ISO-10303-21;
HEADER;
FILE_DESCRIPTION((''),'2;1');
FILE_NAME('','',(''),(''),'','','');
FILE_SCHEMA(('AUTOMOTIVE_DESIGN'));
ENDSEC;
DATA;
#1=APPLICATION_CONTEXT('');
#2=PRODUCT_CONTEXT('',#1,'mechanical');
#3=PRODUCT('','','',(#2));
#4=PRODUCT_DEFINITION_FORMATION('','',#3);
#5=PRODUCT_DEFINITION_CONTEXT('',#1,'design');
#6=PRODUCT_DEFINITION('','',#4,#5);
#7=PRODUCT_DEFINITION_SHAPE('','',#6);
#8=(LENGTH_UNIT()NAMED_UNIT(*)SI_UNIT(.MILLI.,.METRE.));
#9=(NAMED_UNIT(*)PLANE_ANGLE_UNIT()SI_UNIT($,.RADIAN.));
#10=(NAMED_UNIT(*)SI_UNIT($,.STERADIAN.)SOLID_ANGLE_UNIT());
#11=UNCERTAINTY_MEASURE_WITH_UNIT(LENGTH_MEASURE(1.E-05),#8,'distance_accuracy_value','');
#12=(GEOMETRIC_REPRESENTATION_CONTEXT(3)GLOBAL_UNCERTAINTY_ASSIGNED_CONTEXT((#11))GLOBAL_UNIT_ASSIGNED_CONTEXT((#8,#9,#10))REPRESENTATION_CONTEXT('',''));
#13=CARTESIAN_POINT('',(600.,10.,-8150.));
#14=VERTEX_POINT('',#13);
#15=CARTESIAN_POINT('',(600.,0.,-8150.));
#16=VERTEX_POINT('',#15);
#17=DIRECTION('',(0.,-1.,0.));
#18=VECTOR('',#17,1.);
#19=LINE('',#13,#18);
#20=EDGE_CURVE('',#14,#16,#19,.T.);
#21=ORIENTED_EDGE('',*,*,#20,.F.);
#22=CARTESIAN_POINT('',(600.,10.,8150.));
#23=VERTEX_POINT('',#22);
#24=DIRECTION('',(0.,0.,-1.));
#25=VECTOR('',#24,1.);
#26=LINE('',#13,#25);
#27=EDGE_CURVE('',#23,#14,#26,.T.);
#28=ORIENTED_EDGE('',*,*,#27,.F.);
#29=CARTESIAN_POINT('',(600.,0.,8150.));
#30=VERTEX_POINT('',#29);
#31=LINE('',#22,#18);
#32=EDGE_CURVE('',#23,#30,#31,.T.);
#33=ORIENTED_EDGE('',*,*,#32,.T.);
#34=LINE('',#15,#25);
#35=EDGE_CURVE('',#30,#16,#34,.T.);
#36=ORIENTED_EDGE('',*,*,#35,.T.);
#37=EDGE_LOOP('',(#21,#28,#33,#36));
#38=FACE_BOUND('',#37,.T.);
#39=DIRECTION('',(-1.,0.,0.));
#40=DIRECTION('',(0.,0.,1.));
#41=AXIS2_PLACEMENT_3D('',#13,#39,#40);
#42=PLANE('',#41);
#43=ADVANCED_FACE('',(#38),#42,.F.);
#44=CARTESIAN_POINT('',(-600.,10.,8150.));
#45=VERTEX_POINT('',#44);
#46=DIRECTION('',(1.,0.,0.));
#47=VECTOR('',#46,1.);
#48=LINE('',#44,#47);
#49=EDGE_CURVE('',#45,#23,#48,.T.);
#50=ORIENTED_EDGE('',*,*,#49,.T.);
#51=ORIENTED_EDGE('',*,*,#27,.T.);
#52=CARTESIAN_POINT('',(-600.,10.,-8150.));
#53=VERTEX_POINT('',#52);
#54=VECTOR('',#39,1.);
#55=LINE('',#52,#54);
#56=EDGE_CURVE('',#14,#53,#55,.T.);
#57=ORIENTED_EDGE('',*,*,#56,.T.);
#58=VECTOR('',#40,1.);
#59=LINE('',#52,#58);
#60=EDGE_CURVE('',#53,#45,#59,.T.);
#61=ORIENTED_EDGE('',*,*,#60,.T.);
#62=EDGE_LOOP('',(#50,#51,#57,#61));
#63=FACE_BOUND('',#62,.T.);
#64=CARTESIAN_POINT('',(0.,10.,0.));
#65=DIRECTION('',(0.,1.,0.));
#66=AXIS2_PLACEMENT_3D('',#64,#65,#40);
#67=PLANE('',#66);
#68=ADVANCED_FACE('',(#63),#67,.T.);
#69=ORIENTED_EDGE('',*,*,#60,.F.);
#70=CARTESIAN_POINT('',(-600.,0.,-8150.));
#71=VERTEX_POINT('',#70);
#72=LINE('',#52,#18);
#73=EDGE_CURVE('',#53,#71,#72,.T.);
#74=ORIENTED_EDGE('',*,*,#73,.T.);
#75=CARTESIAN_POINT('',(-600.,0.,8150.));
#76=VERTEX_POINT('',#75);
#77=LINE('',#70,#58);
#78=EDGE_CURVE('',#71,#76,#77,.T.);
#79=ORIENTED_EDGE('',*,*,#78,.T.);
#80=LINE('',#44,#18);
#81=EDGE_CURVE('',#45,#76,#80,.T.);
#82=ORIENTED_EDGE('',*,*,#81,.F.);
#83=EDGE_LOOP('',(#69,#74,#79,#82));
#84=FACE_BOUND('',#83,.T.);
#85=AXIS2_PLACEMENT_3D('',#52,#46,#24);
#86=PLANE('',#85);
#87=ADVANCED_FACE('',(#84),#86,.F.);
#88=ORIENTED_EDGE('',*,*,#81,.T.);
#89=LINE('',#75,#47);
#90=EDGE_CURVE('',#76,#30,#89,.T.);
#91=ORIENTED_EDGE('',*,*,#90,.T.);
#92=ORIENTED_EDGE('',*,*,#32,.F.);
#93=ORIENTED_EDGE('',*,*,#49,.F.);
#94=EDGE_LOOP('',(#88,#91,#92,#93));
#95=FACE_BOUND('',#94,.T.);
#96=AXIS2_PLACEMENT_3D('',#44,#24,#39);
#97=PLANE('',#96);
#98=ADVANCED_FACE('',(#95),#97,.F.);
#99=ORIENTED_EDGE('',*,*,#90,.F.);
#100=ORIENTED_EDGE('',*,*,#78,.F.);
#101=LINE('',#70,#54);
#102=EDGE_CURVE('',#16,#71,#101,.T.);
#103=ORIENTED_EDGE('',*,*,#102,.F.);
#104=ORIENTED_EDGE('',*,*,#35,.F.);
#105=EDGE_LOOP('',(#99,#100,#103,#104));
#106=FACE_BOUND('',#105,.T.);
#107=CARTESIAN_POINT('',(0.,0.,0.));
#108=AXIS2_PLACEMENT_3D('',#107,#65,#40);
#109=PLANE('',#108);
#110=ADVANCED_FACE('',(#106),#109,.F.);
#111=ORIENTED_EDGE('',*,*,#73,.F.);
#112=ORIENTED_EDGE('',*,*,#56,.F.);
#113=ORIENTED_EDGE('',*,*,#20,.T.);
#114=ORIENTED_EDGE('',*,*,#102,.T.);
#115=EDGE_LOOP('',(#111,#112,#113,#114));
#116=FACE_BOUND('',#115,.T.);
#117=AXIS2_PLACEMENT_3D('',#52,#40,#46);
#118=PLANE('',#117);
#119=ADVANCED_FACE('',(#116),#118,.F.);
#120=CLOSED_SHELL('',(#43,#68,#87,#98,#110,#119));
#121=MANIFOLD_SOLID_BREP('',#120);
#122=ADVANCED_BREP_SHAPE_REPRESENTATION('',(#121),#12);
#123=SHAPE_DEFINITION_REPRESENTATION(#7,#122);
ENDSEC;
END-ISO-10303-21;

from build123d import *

# Parameters (mm, degrees)
ESQUISSE1_W        = 1200
ESQUISSE1_H        = 16300
BOSS_EXTRU_1_DEPTH = 10


with BuildPart() as part:
    # Esquisse1 → Boss.-Extru.1 (new body)
    with BuildSketch(Plane(origin=(0, 0, 0), x_dir=(1, 0, 0), z_dir=(0, 1, 0))):
        Rectangle(ESQUISSE1_W, ESQUISSE1_H)
    extrude(amount=BOSS_EXTRU_1_DEPTH)


solid = part.part
